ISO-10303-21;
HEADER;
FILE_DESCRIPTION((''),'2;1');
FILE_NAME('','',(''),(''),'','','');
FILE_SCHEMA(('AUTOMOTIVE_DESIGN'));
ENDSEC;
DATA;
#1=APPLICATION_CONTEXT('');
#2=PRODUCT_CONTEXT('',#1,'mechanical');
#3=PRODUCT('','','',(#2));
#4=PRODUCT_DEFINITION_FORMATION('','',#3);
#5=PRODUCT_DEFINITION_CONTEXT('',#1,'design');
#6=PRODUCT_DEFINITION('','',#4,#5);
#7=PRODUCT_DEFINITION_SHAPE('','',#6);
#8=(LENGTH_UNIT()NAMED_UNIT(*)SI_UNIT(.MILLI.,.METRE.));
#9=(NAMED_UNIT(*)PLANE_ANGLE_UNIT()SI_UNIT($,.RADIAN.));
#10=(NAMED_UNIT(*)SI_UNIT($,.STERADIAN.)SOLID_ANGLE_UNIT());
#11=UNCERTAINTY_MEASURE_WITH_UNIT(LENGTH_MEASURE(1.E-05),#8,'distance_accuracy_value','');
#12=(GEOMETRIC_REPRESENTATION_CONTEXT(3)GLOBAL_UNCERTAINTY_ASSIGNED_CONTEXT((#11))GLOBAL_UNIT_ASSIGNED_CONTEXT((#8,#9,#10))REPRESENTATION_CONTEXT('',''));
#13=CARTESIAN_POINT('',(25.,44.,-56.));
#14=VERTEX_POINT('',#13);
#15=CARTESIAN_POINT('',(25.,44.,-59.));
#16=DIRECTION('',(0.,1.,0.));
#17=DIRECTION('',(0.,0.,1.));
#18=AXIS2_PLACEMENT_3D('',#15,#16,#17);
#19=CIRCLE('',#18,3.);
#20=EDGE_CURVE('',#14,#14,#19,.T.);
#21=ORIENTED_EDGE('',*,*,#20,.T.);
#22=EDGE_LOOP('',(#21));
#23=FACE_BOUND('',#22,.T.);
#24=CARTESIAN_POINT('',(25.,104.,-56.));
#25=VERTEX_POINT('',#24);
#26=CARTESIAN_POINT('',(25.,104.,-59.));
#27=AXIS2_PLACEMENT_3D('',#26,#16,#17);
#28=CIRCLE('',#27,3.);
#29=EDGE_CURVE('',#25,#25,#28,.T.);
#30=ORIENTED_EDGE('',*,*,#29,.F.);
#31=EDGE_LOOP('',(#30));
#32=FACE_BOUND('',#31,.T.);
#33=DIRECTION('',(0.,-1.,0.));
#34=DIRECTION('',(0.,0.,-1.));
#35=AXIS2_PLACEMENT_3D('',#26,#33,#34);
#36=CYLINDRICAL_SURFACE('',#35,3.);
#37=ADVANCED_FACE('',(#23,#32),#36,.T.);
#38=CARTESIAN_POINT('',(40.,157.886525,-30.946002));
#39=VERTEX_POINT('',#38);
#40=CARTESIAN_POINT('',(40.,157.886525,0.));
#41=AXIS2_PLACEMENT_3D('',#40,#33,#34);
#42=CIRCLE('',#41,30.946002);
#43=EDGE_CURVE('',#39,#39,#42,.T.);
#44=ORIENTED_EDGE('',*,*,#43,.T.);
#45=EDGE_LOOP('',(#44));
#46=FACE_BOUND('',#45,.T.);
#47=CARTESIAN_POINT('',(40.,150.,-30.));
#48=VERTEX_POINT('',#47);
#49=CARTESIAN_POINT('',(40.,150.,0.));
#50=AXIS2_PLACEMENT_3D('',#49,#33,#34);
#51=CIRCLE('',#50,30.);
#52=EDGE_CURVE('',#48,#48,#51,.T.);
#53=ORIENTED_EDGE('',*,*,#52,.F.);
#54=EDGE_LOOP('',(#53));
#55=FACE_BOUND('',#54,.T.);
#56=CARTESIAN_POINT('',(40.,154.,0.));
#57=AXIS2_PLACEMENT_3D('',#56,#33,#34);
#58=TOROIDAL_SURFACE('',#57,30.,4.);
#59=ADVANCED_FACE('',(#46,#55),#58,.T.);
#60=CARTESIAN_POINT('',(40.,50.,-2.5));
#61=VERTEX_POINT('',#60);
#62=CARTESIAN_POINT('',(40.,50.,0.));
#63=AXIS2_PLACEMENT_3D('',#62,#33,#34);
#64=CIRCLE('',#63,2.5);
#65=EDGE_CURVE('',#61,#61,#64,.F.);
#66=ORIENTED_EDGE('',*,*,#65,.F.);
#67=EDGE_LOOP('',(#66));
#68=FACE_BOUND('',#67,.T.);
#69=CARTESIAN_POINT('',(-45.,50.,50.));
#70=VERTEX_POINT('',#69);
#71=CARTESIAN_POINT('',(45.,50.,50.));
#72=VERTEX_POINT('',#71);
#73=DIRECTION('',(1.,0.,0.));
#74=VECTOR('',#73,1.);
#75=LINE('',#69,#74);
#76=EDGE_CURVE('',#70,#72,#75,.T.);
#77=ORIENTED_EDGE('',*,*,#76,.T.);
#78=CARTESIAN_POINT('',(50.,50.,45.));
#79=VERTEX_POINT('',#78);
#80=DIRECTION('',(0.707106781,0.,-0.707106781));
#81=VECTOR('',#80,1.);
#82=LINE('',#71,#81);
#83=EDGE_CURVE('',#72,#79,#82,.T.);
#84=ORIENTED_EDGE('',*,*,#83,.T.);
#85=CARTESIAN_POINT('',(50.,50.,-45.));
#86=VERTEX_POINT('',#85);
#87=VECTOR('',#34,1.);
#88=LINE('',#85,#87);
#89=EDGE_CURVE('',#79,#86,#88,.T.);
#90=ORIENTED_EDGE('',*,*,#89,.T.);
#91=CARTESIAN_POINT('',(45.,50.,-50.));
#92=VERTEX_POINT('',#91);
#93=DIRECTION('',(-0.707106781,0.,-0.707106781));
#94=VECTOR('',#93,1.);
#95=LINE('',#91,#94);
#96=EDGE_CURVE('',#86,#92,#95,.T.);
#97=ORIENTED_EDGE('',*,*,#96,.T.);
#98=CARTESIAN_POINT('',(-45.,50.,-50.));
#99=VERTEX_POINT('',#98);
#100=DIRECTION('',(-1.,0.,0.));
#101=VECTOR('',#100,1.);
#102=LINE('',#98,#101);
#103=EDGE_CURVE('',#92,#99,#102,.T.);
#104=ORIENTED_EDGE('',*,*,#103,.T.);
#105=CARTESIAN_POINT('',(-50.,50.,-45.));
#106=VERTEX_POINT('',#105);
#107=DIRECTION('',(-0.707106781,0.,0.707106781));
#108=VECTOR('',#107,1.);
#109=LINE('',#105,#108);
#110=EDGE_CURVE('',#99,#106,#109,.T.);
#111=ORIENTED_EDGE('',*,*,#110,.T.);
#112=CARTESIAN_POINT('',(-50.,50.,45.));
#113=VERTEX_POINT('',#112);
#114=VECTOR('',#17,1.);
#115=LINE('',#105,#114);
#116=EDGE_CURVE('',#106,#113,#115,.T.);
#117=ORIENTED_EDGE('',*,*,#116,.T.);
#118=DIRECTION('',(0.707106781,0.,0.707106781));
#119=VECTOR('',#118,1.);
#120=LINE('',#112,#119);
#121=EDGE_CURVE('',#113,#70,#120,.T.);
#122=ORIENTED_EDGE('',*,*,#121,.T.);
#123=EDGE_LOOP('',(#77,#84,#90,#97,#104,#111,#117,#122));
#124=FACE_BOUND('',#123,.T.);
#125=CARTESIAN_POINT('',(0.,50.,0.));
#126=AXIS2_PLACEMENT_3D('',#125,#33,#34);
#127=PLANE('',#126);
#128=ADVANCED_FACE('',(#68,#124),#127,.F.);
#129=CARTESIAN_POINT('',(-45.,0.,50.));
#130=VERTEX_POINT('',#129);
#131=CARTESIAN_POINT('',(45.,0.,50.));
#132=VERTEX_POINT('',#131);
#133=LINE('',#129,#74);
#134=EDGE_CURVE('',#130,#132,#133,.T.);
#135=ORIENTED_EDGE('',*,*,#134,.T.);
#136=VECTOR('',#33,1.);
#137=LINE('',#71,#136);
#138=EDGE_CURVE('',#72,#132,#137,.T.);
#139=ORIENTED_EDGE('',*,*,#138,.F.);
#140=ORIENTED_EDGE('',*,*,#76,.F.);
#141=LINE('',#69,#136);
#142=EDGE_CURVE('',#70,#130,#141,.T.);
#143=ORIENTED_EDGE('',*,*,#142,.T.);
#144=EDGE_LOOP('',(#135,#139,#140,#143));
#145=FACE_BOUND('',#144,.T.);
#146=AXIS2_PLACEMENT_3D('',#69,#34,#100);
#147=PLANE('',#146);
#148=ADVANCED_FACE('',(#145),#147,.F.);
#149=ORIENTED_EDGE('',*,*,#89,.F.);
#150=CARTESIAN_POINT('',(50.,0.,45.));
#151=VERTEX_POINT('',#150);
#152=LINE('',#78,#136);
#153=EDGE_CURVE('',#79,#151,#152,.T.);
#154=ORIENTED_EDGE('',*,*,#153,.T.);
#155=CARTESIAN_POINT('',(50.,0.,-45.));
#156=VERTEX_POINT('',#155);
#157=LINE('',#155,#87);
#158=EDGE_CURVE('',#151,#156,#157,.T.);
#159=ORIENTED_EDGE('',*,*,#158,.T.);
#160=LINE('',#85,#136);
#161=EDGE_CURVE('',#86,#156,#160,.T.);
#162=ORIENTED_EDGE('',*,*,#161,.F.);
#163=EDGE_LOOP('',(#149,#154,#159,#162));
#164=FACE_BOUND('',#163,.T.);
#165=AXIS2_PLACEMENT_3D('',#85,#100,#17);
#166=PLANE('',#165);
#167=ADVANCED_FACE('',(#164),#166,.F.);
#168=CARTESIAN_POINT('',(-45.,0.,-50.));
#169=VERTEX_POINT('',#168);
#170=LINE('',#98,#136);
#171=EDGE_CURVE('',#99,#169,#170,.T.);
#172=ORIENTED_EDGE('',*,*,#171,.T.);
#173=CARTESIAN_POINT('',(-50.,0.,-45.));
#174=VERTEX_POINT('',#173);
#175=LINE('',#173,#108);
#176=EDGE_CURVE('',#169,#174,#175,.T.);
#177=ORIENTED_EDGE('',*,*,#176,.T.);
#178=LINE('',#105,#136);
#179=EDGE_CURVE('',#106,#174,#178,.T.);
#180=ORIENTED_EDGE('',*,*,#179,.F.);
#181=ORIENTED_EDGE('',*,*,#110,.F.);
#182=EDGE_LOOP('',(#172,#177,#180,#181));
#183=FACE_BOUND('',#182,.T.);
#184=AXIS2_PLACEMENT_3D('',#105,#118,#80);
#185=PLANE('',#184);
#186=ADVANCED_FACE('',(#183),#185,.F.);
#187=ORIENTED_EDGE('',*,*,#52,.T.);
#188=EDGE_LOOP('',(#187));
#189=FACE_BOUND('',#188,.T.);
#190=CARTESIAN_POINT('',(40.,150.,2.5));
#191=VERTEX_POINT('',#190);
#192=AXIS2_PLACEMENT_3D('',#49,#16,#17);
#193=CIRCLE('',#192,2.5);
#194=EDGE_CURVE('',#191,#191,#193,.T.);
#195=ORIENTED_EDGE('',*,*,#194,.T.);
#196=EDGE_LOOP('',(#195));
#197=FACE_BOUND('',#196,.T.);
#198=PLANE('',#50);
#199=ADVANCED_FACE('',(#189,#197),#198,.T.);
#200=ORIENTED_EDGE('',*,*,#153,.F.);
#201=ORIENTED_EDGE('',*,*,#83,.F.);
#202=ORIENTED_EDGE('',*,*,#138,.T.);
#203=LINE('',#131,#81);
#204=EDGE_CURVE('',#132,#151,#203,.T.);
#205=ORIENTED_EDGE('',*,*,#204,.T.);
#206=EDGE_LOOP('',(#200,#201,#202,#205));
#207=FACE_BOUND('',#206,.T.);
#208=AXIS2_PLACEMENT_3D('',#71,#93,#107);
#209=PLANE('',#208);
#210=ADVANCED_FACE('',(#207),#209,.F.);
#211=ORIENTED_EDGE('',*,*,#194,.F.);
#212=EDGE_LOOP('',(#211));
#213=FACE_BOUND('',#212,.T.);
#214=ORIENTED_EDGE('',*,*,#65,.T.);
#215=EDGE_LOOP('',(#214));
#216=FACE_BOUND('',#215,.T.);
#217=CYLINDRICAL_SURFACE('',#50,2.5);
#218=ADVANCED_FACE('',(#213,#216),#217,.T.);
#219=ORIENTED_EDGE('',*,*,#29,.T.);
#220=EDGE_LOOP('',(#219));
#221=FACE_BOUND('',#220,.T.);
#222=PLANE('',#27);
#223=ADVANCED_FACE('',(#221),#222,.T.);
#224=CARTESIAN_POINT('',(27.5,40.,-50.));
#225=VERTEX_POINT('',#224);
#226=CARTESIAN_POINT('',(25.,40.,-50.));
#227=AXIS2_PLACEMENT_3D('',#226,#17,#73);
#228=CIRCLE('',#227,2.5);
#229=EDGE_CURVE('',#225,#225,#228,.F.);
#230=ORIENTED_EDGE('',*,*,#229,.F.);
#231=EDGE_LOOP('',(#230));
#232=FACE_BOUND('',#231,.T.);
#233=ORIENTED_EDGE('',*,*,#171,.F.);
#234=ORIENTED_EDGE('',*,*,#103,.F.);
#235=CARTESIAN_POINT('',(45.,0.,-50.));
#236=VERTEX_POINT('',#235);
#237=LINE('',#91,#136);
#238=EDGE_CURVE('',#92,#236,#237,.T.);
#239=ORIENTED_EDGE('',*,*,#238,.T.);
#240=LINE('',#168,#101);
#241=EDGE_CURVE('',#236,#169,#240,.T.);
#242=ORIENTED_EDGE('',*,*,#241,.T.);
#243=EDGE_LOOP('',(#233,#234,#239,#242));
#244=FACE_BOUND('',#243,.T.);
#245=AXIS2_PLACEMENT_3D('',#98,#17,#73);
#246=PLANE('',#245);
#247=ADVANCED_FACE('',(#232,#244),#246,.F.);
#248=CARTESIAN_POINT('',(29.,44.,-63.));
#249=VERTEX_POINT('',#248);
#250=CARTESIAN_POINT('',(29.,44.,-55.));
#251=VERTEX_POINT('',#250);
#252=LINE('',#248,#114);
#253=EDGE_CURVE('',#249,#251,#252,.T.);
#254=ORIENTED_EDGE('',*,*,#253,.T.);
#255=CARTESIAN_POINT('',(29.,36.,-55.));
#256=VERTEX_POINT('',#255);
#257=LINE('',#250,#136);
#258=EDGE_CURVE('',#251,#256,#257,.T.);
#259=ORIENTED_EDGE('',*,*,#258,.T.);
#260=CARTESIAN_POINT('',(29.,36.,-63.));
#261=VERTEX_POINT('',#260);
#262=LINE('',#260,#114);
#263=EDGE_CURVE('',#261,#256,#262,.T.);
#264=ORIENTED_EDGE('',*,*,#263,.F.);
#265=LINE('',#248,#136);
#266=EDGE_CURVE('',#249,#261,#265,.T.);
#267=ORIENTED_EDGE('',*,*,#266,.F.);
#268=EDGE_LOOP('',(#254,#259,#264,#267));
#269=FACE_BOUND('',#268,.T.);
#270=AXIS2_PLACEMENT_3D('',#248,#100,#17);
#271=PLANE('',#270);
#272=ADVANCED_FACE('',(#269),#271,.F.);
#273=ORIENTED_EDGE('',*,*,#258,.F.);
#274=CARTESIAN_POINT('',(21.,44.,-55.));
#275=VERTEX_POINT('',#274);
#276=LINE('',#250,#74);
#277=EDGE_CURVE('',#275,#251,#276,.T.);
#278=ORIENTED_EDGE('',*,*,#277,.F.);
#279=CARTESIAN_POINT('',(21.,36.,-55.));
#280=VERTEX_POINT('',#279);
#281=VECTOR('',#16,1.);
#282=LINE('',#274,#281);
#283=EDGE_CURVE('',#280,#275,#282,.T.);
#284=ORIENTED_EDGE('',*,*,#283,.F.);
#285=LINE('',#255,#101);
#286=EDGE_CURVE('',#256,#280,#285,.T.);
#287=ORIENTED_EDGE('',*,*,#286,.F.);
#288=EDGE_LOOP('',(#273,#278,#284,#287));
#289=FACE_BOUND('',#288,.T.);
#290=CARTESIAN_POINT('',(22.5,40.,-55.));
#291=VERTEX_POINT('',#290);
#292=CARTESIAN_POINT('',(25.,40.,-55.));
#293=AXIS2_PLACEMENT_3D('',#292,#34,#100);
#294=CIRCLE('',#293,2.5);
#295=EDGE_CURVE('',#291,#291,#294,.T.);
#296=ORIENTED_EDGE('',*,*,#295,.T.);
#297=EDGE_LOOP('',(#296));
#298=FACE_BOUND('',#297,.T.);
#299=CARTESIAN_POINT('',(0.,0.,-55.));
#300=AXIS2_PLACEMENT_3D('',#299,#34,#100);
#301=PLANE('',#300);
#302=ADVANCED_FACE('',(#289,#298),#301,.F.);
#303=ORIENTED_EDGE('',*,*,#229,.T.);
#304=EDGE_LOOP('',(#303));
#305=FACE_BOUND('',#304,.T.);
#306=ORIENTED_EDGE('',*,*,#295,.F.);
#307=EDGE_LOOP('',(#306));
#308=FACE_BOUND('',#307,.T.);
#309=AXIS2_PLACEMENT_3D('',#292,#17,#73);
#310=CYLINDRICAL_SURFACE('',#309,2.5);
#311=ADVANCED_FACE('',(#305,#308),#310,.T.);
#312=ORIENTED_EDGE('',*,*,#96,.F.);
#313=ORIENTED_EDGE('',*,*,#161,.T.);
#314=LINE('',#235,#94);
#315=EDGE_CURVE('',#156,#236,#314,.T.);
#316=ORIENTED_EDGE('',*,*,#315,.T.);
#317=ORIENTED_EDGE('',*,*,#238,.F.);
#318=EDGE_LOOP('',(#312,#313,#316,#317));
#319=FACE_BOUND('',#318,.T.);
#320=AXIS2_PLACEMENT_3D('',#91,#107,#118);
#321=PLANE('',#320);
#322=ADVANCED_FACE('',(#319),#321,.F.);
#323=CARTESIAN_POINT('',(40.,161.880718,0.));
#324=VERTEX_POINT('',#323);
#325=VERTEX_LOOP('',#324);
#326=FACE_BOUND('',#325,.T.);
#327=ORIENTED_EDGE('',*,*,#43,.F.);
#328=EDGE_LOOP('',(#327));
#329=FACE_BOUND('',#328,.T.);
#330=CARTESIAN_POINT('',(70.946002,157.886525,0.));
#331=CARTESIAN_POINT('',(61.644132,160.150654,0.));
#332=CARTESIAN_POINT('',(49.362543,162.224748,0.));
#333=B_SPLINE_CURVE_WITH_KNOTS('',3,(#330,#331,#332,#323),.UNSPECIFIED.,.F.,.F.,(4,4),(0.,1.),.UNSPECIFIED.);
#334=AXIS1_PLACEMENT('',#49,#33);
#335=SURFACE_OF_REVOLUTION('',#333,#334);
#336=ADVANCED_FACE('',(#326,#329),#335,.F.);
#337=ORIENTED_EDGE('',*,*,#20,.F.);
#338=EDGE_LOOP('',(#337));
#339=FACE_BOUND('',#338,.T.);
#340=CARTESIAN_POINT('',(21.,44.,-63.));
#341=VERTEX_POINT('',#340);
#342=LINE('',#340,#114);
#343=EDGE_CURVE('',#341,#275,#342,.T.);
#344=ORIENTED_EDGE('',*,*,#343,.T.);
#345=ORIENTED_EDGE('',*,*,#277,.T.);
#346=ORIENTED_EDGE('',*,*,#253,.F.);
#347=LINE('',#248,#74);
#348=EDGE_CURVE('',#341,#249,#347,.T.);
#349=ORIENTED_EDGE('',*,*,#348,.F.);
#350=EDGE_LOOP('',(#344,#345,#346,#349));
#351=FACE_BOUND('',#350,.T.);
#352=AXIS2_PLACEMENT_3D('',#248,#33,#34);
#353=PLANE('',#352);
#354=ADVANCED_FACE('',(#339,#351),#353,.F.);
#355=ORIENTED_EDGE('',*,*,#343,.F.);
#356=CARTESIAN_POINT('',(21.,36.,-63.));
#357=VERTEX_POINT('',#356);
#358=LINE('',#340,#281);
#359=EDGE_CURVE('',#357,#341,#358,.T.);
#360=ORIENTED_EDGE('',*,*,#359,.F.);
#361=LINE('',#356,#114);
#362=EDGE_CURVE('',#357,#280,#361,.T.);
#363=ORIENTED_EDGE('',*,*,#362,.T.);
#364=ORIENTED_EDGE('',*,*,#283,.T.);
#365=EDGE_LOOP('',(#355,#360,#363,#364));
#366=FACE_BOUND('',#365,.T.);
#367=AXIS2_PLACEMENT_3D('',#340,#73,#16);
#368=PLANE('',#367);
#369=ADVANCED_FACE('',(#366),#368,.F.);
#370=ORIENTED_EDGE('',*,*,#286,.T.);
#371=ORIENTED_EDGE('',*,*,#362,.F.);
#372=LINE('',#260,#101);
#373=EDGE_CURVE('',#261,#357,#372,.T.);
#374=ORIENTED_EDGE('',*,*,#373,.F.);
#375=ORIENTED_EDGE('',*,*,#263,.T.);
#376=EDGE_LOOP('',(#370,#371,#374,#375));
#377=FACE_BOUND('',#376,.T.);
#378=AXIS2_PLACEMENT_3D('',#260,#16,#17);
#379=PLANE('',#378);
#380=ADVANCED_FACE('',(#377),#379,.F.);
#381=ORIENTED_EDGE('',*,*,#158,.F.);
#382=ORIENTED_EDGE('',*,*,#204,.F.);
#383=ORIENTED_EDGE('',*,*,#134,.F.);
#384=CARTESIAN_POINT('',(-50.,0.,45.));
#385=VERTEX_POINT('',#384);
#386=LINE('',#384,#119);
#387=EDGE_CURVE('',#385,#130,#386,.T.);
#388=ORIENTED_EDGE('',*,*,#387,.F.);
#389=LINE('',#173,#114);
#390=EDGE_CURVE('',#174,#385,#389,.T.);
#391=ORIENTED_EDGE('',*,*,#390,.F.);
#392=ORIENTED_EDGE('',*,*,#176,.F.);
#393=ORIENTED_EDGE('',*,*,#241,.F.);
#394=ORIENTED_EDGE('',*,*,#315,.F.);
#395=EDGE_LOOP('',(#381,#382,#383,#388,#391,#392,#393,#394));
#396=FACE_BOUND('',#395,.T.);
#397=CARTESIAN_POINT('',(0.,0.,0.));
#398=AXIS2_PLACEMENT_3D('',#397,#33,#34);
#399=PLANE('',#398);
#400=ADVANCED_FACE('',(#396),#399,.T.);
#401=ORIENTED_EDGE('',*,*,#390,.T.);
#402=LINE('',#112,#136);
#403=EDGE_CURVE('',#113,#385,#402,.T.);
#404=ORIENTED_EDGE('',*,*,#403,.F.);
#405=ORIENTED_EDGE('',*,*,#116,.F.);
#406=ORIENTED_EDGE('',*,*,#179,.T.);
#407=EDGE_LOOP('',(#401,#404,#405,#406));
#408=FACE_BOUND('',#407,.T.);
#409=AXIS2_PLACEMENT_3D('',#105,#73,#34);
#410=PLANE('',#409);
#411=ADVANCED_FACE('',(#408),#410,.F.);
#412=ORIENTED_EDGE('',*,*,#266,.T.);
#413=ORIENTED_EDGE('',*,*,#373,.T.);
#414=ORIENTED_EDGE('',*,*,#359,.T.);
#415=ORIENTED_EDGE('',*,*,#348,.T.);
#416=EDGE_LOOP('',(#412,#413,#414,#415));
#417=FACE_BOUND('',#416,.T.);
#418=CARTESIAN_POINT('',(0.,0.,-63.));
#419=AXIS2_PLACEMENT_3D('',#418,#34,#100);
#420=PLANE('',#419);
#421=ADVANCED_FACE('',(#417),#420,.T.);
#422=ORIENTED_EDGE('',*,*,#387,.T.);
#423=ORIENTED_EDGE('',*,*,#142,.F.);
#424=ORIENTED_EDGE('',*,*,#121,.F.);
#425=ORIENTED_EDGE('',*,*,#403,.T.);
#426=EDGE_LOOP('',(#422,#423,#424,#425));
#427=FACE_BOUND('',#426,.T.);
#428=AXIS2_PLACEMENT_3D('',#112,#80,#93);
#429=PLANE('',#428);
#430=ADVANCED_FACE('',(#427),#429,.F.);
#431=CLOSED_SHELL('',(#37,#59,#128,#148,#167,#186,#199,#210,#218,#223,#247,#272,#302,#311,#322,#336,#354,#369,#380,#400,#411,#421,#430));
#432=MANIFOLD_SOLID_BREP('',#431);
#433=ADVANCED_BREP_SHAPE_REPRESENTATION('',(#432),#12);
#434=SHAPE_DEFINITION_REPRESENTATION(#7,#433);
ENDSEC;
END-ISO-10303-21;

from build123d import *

# Parameters (mm, degrees)
EXTRUDE_1_DEPTH = 50
SKETCH_2_R      = 2.5
EXTRUDE_2_DEPTH = 100
SKETCH_5_R      = 2.5
EXTRUDE_3_DEPTH = 5
SKETCH_6_W      = 8
SKETCH_6_H      = 8
EXTRUDE_4_DEPTH = 8
SKETCH_7_R      = 3
EXTRUDE_5_DEPTH = 60


with BuildPart() as part:
    # 草圖1 → 填料-伸長1 (new body)
    with BuildSketch(Plane(origin=(0, 0, 0), x_dir=(1, 0, 0), z_dir=(0, 1, 0))):
        Polygon((-50, 45), (-50, -45), (-45, -50), (45, -50), (50, -45), (50, 45), (45, 50), (-45, 50), align=None)
    extrude(amount=EXTRUDE_1_DEPTH)

    # 草圖2 → 填料-伸長2 (add)
    with BuildSketch(Plane(origin=(0, 50, 0), x_dir=(1, 0, 0), z_dir=(0, 1, 0))):
        with Locations(Location((40, 0, 0), (0, 0, 90))):
            Circle(SKETCH_2_R)
    extrude(amount=EXTRUDE_2_DEPTH)

    # 草圖4 → 旋轉1 (revolve)
    with BuildSketch(Plane.XY, mode=Mode.PRIVATE) as revolve_1_sk:
        with BuildLine():
            Line((40, 150), (40, 161.880718379))
            add(Edge.make_bspline(
                [(40, 161.880718379), (49.36254318, 162.224748332), (61.644131944, 160.150653719), (70.94600245, 157.886525359)],
                knots=[0, 0, 0, 0, 1, 1, 1, 1], degree=3))
            ThreePointArc((70.94600245, 157.886525359), (73.971530022, 153.523608058), (70, 150))
            Line((70, 150), (40, 150))
        make_face()
    revolve(revolve_1_sk.sketch.rotate(Axis((40, 150, 0), (0, 1, 0)), 90), axis=Axis((40, 150, 0), (0, 1, 0)))

    # 草圖5 → 填料-伸長3 (add)
    with BuildSketch(Plane(origin=(0, 0, -50), x_dir=(-1, 0, 0), z_dir=(0, 0, -1))):
        with Locations(Location((-25, 40, 0), (0, 0, 180))):
            Circle(SKETCH_5_R)
    extrude(amount=EXTRUDE_3_DEPTH)

    # 草圖6 → 填料-伸長4 (add)
    with BuildSketch(Plane(origin=(0, 0, -55), x_dir=(-1, 0, 0), z_dir=(0, 0, -1))):
        with Locations((-25, 40)):
            Rectangle(SKETCH_6_W, SKETCH_6_H)
    extrude(amount=EXTRUDE_4_DEPTH)

    # 草圖7 → 填料-伸長5 (add)
    with BuildSketch(Plane(origin=(0, 44, 0), x_dir=(1, 0, 0), z_dir=(0, 1, 0))):
        with Locations(Location((25, 59, 0), (0, 0, 270))):
            Circle(SKETCH_7_R)
    extrude(amount=EXTRUDE_5_DEPTH)


solid = part.part
